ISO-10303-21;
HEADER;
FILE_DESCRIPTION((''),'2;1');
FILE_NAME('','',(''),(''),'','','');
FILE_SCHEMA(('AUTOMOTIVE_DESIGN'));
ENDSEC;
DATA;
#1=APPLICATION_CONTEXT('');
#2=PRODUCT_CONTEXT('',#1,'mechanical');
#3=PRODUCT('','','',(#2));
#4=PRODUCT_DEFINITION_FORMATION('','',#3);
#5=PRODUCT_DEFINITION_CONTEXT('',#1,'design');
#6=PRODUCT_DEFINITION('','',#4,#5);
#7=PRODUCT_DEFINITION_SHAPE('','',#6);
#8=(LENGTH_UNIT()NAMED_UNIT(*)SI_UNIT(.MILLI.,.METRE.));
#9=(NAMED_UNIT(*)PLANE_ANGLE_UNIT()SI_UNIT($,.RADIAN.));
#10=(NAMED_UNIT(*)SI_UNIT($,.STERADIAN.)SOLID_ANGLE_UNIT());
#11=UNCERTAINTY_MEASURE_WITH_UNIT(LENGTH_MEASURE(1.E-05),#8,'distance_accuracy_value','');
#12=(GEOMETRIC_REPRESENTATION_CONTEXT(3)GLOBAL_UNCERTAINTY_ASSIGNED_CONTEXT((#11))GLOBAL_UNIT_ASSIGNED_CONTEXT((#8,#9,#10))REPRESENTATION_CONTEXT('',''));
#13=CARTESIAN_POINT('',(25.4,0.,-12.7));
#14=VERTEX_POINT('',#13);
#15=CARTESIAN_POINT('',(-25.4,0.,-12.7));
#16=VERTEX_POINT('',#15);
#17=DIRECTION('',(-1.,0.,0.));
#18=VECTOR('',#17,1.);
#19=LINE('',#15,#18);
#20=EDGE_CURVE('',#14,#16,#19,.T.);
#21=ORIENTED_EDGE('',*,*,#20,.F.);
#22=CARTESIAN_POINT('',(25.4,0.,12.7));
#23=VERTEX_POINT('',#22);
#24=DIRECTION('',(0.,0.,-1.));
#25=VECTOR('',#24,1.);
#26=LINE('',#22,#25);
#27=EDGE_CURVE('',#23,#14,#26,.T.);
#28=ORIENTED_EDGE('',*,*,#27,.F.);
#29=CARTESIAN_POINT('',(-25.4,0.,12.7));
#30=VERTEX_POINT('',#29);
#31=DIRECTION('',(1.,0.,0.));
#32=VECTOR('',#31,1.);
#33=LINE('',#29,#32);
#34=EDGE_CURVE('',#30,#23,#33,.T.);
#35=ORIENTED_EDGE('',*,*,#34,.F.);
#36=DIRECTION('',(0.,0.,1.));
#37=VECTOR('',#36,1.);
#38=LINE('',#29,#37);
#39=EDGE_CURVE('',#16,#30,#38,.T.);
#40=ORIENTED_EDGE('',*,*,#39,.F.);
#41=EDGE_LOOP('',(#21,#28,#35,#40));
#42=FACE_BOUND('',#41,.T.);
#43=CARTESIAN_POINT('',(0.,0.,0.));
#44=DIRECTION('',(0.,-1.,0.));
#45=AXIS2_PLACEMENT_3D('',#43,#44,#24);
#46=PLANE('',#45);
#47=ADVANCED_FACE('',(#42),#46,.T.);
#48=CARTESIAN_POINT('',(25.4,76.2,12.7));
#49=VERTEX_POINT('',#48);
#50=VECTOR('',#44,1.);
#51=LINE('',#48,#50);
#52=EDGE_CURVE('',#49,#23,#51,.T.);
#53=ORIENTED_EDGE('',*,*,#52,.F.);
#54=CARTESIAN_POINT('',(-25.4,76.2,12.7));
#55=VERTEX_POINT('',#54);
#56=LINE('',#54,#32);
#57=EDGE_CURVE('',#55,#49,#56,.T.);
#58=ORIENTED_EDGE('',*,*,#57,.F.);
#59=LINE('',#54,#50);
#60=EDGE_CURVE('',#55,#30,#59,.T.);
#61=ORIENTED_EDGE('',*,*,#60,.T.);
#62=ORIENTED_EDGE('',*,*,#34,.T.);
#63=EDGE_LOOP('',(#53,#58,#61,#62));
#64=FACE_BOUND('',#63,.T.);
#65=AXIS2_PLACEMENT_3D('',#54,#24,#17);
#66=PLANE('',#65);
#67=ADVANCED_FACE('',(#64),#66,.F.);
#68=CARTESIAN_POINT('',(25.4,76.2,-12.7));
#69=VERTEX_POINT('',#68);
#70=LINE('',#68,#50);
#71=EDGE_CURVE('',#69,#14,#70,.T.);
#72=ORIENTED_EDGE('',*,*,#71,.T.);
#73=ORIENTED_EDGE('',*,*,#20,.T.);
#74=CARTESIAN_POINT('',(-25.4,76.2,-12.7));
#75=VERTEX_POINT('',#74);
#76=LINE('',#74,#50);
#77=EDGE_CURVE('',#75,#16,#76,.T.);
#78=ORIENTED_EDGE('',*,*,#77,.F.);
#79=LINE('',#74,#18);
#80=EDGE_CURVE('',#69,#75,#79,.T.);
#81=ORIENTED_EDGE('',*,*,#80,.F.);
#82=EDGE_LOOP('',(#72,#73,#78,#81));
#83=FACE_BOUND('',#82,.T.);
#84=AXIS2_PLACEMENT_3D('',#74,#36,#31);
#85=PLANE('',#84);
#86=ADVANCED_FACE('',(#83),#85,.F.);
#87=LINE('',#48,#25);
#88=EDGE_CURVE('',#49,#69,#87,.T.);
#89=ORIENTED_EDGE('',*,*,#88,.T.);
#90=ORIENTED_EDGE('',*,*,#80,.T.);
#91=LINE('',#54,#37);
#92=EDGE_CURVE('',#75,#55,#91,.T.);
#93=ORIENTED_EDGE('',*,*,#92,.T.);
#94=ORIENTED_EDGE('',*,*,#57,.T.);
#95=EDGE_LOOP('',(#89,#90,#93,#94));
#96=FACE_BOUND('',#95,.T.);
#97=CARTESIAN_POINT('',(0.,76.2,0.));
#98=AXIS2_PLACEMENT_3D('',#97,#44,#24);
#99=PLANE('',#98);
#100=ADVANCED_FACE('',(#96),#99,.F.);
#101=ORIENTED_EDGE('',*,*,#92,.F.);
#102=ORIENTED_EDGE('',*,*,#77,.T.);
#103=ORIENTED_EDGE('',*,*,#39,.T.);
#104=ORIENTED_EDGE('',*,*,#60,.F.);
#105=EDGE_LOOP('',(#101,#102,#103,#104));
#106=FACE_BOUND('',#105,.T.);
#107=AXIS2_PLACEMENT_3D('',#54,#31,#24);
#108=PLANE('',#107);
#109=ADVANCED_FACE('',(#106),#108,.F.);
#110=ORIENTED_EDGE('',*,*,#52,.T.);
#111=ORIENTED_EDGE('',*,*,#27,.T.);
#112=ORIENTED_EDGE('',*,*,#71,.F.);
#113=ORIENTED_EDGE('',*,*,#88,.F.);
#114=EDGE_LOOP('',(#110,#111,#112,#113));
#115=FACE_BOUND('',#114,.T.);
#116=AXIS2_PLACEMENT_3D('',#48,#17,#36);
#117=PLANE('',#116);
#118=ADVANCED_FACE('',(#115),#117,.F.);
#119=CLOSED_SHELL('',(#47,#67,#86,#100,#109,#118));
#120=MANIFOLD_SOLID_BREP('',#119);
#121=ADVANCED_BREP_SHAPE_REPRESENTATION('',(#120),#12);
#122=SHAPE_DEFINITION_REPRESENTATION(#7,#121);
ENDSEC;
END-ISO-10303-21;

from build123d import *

# Parameters (mm, degrees)
SKETCH1_W          = 50.8
SKETCH1_H          = 25.4
DEMO_EXTRUDE_DEPTH = 76.2


with BuildPart() as part:
    # Sketch1 → Demo-Extrude (new body)
    with BuildSketch(Plane(origin=(0, 0, 0), x_dir=(1, 0, 0), z_dir=(0, 1, 0))):
        Rectangle(SKETCH1_W, SKETCH1_H)
    extrude(amount=DEMO_EXTRUDE_DEPTH)


solid = part.part
